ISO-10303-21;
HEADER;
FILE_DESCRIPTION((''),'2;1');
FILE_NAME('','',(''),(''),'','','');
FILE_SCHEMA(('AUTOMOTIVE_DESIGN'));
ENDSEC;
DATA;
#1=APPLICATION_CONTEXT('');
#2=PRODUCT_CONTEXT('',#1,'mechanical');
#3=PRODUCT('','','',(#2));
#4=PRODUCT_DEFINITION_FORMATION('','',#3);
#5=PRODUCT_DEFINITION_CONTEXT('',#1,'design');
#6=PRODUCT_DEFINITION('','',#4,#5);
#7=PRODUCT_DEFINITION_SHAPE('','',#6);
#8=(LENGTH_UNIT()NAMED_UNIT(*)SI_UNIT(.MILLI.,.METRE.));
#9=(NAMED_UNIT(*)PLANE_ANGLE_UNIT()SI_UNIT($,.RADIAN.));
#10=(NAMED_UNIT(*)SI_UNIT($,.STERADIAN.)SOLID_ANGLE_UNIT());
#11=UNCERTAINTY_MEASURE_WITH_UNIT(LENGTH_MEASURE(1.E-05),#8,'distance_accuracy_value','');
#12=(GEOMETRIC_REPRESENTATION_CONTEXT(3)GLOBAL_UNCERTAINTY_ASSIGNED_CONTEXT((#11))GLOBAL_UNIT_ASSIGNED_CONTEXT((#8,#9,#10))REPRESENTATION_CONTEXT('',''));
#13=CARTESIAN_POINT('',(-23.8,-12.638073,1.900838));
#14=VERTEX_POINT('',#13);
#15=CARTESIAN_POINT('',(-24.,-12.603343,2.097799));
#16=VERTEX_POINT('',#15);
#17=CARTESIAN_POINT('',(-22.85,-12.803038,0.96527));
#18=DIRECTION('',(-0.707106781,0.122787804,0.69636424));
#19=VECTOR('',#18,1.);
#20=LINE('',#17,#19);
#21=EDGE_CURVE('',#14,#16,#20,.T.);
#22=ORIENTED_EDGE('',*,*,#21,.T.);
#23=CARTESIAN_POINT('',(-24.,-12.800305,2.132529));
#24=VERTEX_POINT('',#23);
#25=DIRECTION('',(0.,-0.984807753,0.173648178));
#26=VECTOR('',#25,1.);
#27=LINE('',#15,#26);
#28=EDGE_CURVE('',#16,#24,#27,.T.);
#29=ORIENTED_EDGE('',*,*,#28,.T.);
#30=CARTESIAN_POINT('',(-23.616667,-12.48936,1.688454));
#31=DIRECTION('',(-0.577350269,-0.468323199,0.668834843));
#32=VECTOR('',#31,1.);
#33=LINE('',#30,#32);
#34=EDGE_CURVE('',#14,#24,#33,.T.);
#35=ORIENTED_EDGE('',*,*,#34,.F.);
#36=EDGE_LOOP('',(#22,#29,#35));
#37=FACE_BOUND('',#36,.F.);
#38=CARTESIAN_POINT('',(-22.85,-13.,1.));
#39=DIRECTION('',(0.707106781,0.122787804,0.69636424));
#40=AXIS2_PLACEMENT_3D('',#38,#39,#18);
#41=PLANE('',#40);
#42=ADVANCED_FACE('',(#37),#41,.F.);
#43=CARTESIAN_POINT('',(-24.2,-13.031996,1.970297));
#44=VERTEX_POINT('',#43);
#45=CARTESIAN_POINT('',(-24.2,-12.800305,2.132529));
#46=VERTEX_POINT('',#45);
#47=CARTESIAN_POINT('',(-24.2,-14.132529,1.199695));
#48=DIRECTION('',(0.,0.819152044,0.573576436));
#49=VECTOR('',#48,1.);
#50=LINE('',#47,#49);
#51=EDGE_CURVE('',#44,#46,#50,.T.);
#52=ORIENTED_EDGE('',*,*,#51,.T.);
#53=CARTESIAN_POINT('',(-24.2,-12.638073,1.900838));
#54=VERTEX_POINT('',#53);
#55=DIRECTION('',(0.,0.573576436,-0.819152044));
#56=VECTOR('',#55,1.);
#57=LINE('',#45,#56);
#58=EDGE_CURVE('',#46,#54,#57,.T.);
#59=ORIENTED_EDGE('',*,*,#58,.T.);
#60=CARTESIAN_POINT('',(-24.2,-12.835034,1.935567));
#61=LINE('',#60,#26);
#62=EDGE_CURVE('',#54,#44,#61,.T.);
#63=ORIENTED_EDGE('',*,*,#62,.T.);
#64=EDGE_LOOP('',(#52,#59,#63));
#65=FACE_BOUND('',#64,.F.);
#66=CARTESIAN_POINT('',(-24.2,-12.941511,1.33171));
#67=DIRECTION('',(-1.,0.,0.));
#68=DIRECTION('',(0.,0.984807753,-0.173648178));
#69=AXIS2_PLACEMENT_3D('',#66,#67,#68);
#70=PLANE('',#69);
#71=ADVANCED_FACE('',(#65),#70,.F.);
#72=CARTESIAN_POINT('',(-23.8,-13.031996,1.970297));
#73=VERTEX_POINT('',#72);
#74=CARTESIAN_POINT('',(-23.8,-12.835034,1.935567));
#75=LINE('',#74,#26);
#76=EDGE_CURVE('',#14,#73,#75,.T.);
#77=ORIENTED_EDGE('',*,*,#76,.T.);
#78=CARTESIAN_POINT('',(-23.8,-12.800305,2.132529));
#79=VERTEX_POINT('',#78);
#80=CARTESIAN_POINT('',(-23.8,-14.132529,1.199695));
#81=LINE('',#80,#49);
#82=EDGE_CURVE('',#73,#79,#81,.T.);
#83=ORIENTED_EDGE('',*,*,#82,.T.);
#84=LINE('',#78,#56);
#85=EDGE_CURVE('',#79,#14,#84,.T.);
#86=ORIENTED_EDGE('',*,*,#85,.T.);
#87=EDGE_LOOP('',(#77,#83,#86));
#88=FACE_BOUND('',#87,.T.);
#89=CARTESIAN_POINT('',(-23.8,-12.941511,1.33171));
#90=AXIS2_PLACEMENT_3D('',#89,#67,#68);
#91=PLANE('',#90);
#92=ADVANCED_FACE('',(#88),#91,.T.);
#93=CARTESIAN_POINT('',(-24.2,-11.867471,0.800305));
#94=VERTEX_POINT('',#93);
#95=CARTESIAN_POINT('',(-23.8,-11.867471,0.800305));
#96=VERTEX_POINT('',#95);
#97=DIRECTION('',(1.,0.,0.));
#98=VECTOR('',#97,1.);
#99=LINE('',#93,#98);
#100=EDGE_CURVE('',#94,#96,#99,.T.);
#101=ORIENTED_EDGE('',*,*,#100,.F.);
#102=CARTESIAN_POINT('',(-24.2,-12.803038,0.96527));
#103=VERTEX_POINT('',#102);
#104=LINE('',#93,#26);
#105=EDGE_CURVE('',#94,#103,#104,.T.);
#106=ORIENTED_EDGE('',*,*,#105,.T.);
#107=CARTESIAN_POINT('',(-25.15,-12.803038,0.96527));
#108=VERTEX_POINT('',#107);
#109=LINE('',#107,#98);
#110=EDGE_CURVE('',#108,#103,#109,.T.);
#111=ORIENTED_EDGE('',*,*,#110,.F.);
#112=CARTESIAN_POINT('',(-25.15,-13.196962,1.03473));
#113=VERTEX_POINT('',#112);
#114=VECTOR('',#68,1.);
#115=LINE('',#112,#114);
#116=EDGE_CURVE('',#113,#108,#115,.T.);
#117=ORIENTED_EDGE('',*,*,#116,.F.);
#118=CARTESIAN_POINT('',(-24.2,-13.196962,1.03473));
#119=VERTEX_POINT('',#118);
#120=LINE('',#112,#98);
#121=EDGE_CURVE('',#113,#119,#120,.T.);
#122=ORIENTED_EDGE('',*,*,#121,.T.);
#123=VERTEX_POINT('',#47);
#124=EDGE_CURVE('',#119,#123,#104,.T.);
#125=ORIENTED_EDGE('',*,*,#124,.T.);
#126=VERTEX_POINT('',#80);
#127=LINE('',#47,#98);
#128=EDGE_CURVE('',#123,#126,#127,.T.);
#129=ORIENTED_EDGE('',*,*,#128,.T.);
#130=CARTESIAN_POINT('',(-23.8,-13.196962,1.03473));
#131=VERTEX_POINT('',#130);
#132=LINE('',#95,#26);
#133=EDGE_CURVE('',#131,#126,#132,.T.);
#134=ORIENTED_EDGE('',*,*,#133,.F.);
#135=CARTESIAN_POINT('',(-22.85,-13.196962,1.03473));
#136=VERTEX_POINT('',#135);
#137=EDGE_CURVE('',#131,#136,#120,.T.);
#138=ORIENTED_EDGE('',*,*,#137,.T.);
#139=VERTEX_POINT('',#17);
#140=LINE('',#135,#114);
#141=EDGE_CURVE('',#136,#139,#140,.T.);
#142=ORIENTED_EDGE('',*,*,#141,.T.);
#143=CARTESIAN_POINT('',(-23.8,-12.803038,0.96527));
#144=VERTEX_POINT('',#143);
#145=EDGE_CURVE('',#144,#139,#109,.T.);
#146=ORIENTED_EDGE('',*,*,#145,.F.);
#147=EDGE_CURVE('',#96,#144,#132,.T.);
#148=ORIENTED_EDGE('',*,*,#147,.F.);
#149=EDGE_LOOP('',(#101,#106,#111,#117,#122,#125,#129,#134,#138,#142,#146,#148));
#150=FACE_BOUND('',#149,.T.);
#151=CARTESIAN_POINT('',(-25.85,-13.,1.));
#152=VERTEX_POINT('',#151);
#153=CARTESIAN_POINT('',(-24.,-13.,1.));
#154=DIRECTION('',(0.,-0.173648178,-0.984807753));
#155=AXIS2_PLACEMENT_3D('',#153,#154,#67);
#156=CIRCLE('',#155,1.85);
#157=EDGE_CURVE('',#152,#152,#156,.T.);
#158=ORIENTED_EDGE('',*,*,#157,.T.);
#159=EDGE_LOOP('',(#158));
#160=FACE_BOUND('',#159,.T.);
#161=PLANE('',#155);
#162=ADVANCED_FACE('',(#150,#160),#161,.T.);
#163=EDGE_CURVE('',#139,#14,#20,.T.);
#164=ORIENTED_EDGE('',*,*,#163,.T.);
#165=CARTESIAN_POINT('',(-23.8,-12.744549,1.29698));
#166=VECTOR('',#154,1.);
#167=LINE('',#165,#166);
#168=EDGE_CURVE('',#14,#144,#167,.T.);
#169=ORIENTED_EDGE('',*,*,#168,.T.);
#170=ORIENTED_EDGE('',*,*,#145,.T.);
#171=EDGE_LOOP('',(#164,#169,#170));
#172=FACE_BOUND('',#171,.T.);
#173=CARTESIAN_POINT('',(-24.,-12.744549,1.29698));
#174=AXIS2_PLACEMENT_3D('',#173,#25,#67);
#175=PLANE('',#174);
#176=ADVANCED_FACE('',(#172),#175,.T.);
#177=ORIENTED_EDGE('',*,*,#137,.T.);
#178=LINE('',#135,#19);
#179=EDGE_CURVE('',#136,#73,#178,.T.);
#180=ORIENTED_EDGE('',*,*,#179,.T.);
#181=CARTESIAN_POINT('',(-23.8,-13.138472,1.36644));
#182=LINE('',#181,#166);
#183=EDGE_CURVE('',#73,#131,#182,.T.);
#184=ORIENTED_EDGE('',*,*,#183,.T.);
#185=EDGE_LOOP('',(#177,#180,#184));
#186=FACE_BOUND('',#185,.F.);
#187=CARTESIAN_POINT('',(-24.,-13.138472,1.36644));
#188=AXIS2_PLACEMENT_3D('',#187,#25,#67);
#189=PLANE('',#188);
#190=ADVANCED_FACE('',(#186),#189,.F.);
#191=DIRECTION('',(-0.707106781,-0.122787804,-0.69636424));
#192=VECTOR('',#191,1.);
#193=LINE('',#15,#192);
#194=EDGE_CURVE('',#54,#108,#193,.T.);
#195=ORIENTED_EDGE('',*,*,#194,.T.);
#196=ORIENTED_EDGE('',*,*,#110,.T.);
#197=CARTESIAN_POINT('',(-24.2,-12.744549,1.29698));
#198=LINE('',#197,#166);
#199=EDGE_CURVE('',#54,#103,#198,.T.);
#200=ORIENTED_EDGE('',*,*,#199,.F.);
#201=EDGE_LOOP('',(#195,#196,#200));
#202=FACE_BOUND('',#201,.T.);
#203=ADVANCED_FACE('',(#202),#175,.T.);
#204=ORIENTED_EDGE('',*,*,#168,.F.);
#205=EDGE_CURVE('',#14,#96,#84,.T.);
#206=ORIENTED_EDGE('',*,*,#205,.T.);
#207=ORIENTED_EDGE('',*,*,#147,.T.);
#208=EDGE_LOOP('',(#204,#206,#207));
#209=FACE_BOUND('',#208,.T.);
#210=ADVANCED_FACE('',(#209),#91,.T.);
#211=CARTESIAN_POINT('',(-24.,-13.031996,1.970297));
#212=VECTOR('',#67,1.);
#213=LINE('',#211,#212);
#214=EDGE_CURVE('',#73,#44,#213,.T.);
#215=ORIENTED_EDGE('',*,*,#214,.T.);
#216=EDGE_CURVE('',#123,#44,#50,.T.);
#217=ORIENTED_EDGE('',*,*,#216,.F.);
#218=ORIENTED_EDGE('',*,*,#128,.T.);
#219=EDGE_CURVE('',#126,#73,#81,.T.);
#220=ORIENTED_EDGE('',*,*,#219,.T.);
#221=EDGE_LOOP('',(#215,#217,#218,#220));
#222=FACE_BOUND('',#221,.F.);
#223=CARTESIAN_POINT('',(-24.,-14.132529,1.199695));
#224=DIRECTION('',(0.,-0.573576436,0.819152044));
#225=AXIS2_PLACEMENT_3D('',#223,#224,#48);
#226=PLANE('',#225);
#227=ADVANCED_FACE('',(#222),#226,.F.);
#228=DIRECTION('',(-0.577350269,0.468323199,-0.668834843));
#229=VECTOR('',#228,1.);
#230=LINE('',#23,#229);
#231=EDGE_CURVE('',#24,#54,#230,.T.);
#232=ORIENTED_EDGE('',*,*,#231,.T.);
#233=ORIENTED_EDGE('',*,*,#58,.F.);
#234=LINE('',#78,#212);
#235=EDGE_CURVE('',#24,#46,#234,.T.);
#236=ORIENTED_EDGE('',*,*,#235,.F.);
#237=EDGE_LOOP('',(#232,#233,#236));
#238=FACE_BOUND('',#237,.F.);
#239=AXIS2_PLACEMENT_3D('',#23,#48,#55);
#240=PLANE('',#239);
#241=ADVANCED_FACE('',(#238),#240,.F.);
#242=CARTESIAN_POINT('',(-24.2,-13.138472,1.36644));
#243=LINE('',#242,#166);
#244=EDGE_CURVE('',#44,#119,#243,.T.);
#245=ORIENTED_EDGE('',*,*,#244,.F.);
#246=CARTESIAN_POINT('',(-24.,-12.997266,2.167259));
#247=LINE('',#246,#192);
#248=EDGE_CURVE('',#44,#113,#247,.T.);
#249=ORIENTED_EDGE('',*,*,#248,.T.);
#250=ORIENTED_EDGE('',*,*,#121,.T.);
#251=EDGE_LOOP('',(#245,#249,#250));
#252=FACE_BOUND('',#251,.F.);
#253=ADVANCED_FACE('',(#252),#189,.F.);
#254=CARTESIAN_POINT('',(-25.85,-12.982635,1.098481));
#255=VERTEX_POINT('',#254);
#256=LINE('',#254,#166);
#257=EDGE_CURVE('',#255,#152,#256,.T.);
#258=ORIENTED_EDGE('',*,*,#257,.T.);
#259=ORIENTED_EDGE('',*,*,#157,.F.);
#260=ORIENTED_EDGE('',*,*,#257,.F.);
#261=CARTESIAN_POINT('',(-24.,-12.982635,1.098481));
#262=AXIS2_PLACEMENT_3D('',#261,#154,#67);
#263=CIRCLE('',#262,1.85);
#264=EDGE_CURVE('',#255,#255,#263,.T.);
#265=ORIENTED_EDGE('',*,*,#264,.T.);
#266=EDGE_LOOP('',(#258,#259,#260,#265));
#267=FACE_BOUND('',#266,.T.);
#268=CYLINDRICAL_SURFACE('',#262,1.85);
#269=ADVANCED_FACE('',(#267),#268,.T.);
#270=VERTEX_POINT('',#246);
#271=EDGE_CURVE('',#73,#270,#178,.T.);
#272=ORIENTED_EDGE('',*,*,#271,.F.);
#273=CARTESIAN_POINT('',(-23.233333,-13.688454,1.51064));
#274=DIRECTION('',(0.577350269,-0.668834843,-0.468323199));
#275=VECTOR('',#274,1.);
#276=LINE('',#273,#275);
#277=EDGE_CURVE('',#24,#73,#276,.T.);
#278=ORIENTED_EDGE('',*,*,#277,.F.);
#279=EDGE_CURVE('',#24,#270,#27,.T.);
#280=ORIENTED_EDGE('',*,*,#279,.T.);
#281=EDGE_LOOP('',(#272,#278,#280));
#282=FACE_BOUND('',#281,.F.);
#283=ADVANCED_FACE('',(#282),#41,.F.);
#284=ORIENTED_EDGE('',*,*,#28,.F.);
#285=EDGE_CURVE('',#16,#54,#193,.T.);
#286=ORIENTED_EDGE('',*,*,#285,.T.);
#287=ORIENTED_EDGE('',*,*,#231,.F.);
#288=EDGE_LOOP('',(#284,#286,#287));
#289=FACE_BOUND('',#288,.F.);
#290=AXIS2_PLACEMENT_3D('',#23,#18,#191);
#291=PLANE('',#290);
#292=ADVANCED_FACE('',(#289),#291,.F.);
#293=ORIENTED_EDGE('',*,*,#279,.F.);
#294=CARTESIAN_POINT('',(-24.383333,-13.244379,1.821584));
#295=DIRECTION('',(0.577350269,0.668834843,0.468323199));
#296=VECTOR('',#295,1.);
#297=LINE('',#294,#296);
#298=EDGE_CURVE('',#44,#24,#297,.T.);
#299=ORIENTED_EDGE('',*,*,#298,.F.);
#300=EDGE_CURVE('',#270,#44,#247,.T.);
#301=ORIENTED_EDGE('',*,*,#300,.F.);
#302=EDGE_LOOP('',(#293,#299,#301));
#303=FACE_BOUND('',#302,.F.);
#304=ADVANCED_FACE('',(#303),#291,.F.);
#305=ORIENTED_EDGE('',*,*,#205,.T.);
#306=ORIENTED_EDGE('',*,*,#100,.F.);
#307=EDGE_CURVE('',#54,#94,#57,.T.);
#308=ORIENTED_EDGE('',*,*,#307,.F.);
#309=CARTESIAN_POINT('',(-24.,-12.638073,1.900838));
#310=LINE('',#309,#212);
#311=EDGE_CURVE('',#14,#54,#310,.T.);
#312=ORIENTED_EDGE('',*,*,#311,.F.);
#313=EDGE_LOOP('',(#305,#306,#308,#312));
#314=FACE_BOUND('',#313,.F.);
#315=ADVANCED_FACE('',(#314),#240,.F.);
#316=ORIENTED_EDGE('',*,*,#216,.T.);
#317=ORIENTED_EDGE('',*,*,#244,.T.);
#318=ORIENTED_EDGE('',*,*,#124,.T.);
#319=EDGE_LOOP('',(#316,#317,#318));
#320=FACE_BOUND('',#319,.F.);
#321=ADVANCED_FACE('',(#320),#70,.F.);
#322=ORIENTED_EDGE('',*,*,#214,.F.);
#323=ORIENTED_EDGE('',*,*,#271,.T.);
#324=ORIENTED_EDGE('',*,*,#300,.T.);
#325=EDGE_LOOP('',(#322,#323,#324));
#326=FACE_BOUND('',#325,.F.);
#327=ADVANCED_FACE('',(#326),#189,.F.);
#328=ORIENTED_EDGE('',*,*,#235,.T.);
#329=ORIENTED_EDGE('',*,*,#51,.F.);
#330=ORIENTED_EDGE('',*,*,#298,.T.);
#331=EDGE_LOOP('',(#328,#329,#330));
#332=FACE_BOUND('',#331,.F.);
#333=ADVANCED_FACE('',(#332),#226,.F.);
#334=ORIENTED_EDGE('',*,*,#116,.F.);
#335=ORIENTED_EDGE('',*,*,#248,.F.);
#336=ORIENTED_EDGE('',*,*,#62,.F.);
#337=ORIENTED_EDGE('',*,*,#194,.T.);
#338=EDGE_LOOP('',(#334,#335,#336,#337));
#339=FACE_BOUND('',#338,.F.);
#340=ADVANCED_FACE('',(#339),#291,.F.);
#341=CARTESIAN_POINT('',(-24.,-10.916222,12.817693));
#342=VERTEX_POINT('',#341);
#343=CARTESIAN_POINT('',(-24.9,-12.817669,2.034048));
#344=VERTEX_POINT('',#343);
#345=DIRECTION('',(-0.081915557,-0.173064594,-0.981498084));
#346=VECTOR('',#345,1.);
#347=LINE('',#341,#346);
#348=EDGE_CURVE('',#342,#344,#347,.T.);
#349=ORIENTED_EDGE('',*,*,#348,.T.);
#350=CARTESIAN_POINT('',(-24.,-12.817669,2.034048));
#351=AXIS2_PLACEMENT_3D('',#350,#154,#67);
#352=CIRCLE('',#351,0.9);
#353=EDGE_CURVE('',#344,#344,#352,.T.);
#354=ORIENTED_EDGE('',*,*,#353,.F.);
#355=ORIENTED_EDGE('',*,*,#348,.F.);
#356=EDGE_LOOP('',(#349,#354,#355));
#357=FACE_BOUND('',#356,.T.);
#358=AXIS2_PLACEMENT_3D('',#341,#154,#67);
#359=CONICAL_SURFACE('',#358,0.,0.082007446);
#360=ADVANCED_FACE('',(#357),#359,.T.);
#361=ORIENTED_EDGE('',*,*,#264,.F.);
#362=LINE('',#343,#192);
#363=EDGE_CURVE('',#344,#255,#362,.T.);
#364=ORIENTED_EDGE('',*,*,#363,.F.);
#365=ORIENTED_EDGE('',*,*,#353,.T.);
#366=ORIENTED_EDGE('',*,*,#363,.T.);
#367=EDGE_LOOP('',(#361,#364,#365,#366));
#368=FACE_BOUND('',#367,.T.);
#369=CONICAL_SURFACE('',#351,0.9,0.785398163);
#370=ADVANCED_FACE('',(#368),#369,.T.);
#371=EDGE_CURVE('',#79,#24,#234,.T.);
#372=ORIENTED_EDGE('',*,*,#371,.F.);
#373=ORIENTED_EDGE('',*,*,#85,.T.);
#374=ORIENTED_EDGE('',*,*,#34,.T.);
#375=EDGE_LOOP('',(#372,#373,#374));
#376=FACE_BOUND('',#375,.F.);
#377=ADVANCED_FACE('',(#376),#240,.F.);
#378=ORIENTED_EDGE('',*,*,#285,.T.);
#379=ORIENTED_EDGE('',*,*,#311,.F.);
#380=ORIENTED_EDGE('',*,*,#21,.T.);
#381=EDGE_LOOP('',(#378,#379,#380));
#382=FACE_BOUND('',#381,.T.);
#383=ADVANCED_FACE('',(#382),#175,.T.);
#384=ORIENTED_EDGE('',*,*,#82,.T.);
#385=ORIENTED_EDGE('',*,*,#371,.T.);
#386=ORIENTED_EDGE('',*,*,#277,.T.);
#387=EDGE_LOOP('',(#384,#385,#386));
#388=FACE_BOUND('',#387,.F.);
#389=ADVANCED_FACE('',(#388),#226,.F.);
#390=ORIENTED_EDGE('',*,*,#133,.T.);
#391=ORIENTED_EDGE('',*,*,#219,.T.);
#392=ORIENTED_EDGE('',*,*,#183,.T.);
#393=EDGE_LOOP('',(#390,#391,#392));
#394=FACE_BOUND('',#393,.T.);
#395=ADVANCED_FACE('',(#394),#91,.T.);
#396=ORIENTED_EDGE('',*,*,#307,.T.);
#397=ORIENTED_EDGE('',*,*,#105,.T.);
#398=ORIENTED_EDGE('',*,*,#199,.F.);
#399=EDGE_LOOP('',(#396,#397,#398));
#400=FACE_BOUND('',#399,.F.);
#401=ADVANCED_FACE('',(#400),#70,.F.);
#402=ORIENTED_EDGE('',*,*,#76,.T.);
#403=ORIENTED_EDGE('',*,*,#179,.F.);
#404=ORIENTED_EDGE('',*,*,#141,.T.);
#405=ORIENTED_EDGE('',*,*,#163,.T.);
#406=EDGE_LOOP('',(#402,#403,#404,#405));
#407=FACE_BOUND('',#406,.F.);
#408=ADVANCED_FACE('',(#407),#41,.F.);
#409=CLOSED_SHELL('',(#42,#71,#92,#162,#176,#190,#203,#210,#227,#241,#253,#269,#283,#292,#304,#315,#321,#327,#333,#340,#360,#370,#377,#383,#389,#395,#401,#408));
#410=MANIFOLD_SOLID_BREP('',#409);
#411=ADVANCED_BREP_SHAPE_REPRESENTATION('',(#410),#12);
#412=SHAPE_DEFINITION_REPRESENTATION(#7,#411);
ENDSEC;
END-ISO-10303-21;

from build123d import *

# Parameters (mm, degrees)
POCKET004_DEPTH         = 0.2
POLARPATTERN001_COUNT   = 2
POLARPATTERN001_ANGLE   = 90
BODY007_ROLL_ANGLE      = -170
BODY007_PLACEMENT_ANGLE = 180


with BuildPart() as part:
    # Sketch022 → Revolution001 (revolve)
    with BuildSketch(Plane.XZ):
        Polygon((0, 0), (0, -12), (0.9, -1.05), (1.85, -0.1), (1.85, 0), align=None)
    revolve(axis=Axis((0, 0, 0), (0, 0, 1)))

    # Sketch023 → Pocket004 (cut, symmetric)
    with BuildSketch(Plane.XZ):
        Polygon((-1.15, 0), (0, -1.15), (1.15, 0), align=None)
    pocket004 = extrude(amount=POCKET004_DEPTH, both=True, mode=Mode.SUBTRACT)

    # PolarPattern001: Pocket004 ×2 about axis
    polarpattern001_axis = Axis((0, 0, 0), (0, 0, 1))
    for i in range(1, POLARPATTERN001_COUNT):
        add(pocket004.rotate(polarpattern001_axis, i * POLARPATTERN001_ANGLE / (POLARPATTERN001_COUNT - 1)), mode=Mode.SUBTRACT)


with BuildPart() as part_1:
    # Body007 roll: moved
    add(part.part.rotate(Axis((0, 0, 0), (1, 0, 0)), BODY007_ROLL_ANGLE))


with BuildPart() as part_2:
    # Body007 placement: moved
    add(part_1.part.moved(Location((-24, -13, 1))).rotate(Axis((-24, -13, 1), (0, 0, 1)), BODY007_PLACEMENT_ANGLE))


solid = part_2.part
